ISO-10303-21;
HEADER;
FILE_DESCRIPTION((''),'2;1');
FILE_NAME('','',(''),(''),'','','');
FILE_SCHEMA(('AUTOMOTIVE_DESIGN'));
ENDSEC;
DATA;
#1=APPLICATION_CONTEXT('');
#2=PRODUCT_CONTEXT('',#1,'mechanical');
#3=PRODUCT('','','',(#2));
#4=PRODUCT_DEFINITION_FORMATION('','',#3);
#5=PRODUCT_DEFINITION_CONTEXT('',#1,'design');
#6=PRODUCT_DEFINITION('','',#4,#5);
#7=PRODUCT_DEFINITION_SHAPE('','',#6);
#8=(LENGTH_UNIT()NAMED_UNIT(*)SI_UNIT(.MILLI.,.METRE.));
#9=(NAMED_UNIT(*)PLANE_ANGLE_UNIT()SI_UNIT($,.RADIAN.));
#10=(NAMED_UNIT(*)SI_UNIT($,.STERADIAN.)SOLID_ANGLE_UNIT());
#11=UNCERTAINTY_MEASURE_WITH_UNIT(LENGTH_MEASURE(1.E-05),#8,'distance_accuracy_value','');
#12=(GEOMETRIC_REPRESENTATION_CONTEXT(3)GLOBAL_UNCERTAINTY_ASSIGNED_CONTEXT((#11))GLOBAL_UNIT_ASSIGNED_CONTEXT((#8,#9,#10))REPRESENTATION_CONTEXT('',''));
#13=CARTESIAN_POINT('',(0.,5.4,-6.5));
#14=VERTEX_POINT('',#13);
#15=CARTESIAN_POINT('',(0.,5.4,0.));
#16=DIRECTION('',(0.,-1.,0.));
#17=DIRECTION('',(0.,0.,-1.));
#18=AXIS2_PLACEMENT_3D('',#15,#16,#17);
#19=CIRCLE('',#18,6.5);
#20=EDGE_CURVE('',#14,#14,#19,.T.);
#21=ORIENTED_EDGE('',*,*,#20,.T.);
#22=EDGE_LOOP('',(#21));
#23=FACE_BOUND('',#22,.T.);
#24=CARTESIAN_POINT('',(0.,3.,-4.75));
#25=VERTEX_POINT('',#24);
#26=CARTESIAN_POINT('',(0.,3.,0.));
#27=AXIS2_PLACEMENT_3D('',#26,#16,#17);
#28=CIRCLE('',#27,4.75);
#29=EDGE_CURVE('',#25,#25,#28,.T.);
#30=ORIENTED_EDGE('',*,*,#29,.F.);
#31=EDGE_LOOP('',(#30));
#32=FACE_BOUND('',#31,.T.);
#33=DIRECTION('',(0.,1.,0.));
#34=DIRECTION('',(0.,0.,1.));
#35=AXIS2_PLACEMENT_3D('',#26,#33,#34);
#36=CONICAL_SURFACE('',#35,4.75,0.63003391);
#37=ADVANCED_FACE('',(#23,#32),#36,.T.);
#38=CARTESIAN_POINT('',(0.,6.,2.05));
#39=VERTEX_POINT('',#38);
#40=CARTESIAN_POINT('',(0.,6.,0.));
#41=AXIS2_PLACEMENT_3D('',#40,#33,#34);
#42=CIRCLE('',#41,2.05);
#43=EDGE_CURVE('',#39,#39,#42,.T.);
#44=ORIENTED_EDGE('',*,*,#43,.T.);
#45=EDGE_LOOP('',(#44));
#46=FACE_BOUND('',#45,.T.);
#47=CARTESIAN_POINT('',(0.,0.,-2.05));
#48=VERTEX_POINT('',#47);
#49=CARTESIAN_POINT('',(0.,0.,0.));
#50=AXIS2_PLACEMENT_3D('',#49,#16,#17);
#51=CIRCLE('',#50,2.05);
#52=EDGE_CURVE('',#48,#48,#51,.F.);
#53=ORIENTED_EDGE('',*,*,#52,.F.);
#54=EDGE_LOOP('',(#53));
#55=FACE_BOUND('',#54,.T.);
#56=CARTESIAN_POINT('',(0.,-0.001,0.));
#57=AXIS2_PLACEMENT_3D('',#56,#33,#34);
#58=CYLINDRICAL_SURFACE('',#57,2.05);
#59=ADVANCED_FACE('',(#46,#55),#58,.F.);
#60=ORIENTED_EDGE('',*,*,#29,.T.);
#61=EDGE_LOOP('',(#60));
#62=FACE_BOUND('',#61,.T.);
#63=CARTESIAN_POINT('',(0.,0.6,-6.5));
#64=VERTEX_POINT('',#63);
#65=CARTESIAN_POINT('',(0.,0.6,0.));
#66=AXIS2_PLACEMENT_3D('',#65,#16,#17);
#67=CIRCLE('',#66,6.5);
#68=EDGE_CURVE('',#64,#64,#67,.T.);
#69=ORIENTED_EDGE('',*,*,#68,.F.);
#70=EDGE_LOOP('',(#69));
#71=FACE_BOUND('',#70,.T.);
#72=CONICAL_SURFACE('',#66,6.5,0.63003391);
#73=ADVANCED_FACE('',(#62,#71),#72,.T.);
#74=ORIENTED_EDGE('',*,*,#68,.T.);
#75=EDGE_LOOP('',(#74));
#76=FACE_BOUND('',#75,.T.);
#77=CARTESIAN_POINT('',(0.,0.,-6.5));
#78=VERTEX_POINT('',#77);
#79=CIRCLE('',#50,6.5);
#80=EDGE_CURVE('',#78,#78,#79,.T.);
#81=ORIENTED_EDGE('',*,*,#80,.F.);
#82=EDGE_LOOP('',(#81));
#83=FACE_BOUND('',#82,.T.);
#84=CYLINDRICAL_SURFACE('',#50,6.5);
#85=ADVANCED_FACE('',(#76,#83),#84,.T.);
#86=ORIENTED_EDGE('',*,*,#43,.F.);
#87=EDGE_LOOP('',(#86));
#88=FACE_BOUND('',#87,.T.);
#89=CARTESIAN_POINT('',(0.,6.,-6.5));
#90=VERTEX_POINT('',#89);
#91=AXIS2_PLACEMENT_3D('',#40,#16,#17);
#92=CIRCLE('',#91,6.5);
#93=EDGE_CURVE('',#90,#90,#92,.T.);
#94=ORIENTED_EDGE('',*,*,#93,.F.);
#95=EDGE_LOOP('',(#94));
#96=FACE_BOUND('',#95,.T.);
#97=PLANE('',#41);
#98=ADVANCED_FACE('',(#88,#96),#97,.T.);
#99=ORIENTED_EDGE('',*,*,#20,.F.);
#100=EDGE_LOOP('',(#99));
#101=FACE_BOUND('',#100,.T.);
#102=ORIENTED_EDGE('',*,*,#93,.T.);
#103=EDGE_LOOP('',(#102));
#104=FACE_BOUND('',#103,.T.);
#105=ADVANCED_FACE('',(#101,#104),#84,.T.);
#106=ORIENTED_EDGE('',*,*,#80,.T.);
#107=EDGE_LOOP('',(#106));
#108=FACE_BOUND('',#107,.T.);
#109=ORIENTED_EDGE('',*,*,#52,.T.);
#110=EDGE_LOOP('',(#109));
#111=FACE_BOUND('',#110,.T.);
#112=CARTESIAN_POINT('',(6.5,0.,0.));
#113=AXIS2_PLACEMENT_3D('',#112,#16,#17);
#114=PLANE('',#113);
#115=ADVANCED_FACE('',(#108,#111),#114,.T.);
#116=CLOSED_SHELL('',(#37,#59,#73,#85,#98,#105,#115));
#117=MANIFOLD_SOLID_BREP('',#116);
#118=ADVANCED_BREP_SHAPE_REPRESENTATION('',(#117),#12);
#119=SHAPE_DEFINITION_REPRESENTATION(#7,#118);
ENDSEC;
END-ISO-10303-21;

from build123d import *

# Parameters (mm, degrees)
CUT_EXTRUDE1_REACH = 8
SKETCH2_R          = 2.05


with BuildPart() as part:
    # Sketch1 → Revolve1 (revolve)
    with BuildSketch(Plane.XY):
        Polygon((0, 6), (6.5, 6), (6.5, 5.4), (4.75, 3), (6.5, 0.6), (6.5, 0), (0, 0), align=None)
    revolve(axis=Axis((0, 0, 0), (0, 1, 0)))

    # Sketch2 → Cut-Extrude1 (cut, up to next)
    with BuildSketch(Plane(origin=(0, 6, 0), x_dir=(1, 0, 0), z_dir=(0, 1, 0)), mode=Mode.PRIVATE) as cut_extrude1_sk1:
        Circle(SKETCH2_R)
    cut_extrude1_tool1 = extrude(cut_extrude1_sk1.sketch, amount=-CUT_EXTRUDE1_REACH, mode=Mode.PRIVATE) & part.part
    add(cut_extrude1_tool1.solids().sort_by_distance((0, 6, 0))[0], mode=Mode.SUBTRACT)


solid = part.part
